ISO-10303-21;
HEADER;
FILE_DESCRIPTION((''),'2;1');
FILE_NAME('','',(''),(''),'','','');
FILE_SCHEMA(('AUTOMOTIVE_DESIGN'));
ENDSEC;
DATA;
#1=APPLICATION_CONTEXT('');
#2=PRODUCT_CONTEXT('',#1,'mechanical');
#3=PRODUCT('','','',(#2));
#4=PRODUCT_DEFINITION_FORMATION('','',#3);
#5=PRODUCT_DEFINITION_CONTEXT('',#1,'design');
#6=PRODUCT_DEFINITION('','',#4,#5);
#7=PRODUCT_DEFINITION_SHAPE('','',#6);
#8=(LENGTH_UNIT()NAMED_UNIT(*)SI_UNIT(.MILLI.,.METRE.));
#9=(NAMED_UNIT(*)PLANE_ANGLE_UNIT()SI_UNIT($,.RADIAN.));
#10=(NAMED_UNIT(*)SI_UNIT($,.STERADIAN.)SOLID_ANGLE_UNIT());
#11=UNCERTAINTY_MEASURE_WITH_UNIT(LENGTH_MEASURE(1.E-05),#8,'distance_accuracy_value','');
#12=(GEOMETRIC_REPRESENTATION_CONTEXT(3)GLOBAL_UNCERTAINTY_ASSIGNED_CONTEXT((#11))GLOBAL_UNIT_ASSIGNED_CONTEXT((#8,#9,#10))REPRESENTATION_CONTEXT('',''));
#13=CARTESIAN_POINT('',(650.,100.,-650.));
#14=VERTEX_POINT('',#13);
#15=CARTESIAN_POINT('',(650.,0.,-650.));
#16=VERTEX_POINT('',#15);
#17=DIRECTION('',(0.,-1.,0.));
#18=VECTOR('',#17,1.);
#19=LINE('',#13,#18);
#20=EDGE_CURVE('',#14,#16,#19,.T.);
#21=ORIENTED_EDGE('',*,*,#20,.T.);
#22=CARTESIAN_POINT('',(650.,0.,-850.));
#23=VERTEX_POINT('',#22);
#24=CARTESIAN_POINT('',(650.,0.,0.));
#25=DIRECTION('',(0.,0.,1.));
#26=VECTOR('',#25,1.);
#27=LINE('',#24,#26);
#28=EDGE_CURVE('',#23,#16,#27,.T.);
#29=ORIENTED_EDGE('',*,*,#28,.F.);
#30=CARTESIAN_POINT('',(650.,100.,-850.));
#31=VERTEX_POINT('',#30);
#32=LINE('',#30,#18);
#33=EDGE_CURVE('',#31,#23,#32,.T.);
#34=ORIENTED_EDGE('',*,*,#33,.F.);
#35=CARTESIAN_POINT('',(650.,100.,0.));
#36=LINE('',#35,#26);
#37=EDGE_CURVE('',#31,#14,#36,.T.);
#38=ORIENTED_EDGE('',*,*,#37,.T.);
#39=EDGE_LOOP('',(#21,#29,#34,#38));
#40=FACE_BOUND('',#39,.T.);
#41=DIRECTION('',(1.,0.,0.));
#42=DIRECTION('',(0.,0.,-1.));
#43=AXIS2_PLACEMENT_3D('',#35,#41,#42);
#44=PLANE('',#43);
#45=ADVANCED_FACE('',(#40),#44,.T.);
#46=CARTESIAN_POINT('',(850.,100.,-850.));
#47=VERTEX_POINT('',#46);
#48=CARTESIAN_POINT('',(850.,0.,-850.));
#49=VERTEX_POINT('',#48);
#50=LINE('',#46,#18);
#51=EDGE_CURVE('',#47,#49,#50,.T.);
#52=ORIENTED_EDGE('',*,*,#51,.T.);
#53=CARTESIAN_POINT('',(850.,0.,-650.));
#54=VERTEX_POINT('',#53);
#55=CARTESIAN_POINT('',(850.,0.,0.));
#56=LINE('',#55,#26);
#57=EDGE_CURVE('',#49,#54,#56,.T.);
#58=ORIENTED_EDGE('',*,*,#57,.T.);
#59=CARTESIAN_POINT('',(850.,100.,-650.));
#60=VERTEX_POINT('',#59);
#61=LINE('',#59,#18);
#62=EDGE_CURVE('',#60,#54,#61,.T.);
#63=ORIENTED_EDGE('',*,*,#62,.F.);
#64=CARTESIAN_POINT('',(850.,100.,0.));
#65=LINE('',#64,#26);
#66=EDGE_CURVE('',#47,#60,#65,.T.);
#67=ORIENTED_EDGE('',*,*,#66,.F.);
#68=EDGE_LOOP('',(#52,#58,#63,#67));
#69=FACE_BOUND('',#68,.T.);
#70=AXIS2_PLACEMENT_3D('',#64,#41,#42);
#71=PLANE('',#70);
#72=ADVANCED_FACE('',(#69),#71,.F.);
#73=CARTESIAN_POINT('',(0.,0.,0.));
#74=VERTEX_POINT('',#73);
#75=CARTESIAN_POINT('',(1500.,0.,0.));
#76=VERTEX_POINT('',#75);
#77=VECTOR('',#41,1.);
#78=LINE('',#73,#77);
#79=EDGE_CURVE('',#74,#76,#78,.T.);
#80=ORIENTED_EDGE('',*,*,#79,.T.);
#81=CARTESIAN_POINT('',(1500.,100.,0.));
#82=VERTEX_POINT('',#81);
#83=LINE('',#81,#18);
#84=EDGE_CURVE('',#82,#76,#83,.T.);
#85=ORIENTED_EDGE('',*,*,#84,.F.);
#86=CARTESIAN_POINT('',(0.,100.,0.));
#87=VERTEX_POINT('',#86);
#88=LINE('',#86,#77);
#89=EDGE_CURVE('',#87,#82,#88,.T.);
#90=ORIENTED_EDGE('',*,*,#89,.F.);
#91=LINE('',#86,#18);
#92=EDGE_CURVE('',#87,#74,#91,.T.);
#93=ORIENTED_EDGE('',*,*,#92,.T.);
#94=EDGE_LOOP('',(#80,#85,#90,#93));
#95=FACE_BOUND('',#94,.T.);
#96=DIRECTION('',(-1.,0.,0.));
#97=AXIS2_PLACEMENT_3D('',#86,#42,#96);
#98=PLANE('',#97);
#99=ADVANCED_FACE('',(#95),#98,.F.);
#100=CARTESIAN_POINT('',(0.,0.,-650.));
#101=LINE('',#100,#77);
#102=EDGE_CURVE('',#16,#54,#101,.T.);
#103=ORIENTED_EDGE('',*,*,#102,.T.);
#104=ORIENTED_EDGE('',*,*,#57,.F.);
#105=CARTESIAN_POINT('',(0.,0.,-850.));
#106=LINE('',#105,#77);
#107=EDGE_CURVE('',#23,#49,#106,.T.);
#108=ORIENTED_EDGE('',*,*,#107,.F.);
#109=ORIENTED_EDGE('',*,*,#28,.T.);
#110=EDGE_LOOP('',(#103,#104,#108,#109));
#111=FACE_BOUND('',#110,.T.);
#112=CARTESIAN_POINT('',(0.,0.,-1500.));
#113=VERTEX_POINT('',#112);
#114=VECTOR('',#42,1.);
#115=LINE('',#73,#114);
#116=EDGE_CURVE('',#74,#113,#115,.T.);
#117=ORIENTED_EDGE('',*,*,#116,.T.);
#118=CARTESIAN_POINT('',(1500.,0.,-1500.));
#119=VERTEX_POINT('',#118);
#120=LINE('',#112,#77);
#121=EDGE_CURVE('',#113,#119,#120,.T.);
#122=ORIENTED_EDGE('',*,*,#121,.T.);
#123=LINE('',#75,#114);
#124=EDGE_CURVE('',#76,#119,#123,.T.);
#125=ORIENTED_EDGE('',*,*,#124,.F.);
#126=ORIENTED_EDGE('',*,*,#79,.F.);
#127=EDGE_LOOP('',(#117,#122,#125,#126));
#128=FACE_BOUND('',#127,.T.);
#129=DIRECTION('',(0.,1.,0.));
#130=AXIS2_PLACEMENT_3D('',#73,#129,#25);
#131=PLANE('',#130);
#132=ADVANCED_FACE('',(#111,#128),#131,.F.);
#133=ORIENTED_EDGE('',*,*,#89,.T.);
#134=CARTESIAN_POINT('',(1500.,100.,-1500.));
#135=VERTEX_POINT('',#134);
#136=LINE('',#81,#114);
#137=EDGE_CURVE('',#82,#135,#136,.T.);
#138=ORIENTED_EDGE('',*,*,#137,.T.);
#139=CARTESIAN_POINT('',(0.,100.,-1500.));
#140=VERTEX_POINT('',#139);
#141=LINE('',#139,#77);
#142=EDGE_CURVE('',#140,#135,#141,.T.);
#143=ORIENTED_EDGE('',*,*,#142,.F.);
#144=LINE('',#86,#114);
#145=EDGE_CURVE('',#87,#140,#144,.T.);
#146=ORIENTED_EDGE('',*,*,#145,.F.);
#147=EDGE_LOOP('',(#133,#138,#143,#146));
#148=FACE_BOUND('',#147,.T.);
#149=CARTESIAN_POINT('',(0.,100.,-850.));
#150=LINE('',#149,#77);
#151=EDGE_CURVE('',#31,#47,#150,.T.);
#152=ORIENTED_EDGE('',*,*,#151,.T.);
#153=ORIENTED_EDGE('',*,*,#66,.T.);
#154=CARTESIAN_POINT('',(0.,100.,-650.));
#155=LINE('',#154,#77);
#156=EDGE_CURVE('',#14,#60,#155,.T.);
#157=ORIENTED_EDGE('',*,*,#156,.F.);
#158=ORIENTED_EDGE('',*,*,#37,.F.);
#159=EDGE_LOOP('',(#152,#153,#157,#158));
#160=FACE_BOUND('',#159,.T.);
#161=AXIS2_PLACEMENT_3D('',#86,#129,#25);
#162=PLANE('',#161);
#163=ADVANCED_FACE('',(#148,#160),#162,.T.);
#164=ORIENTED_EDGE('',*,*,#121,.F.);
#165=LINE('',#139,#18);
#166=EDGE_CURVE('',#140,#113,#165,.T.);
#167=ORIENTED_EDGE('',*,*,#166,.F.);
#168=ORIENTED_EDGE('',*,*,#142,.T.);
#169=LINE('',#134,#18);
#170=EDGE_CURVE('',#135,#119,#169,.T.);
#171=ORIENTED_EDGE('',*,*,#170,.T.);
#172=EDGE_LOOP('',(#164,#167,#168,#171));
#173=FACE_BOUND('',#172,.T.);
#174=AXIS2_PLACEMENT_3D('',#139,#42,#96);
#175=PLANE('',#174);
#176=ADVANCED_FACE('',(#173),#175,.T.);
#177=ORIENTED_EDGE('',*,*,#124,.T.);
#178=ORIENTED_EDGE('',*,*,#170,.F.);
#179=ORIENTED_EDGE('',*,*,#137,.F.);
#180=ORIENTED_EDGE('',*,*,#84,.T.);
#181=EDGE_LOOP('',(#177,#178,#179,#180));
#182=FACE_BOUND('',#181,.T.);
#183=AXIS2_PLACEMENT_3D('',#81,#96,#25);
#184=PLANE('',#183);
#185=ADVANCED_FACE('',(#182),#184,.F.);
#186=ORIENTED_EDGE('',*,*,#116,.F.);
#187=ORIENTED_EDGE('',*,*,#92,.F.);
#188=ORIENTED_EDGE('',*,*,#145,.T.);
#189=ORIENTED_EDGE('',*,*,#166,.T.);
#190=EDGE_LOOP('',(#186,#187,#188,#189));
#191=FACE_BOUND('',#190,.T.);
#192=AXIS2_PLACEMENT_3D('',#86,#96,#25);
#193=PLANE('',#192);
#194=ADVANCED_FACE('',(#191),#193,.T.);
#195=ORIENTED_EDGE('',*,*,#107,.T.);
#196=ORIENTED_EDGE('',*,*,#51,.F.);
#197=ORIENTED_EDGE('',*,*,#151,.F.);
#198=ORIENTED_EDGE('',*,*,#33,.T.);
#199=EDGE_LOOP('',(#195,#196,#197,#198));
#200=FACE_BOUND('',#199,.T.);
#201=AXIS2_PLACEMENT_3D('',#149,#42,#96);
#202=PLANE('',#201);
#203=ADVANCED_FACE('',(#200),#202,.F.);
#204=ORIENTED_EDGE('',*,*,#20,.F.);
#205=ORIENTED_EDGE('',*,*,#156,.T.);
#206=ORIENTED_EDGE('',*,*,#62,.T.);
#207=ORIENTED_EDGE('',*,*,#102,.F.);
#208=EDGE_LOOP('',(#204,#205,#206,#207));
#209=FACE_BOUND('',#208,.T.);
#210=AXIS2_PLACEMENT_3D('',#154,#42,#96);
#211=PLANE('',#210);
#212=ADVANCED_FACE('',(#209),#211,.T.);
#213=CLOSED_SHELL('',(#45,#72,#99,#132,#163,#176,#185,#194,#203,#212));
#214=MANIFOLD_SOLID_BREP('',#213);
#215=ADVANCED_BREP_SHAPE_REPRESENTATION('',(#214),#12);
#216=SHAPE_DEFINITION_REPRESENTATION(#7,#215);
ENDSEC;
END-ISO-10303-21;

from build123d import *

# Parameters (mm, degrees)
SKETCH1_W           = 1500
SKETCH1_H           = 1500
SKETCH1_W_2         = 200
SKETCH1_H_2         = 200
BOSS_EXTRUDE1_DEPTH = 100


with BuildPart() as part:
    # Sketch1 → Boss-Extrude1 (new body)
    with BuildSketch(Plane(origin=(0, 0, 0), x_dir=(1, 0, 0), z_dir=(0, 1, 0))):
        with Locations((750, 750)):
            Rectangle(SKETCH1_W, SKETCH1_H)
        with Locations((750, 750)):
            Rectangle(SKETCH1_W_2, SKETCH1_H_2, mode=Mode.SUBTRACT)
    extrude(amount=BOSS_EXTRUDE1_DEPTH)


solid = part.part
